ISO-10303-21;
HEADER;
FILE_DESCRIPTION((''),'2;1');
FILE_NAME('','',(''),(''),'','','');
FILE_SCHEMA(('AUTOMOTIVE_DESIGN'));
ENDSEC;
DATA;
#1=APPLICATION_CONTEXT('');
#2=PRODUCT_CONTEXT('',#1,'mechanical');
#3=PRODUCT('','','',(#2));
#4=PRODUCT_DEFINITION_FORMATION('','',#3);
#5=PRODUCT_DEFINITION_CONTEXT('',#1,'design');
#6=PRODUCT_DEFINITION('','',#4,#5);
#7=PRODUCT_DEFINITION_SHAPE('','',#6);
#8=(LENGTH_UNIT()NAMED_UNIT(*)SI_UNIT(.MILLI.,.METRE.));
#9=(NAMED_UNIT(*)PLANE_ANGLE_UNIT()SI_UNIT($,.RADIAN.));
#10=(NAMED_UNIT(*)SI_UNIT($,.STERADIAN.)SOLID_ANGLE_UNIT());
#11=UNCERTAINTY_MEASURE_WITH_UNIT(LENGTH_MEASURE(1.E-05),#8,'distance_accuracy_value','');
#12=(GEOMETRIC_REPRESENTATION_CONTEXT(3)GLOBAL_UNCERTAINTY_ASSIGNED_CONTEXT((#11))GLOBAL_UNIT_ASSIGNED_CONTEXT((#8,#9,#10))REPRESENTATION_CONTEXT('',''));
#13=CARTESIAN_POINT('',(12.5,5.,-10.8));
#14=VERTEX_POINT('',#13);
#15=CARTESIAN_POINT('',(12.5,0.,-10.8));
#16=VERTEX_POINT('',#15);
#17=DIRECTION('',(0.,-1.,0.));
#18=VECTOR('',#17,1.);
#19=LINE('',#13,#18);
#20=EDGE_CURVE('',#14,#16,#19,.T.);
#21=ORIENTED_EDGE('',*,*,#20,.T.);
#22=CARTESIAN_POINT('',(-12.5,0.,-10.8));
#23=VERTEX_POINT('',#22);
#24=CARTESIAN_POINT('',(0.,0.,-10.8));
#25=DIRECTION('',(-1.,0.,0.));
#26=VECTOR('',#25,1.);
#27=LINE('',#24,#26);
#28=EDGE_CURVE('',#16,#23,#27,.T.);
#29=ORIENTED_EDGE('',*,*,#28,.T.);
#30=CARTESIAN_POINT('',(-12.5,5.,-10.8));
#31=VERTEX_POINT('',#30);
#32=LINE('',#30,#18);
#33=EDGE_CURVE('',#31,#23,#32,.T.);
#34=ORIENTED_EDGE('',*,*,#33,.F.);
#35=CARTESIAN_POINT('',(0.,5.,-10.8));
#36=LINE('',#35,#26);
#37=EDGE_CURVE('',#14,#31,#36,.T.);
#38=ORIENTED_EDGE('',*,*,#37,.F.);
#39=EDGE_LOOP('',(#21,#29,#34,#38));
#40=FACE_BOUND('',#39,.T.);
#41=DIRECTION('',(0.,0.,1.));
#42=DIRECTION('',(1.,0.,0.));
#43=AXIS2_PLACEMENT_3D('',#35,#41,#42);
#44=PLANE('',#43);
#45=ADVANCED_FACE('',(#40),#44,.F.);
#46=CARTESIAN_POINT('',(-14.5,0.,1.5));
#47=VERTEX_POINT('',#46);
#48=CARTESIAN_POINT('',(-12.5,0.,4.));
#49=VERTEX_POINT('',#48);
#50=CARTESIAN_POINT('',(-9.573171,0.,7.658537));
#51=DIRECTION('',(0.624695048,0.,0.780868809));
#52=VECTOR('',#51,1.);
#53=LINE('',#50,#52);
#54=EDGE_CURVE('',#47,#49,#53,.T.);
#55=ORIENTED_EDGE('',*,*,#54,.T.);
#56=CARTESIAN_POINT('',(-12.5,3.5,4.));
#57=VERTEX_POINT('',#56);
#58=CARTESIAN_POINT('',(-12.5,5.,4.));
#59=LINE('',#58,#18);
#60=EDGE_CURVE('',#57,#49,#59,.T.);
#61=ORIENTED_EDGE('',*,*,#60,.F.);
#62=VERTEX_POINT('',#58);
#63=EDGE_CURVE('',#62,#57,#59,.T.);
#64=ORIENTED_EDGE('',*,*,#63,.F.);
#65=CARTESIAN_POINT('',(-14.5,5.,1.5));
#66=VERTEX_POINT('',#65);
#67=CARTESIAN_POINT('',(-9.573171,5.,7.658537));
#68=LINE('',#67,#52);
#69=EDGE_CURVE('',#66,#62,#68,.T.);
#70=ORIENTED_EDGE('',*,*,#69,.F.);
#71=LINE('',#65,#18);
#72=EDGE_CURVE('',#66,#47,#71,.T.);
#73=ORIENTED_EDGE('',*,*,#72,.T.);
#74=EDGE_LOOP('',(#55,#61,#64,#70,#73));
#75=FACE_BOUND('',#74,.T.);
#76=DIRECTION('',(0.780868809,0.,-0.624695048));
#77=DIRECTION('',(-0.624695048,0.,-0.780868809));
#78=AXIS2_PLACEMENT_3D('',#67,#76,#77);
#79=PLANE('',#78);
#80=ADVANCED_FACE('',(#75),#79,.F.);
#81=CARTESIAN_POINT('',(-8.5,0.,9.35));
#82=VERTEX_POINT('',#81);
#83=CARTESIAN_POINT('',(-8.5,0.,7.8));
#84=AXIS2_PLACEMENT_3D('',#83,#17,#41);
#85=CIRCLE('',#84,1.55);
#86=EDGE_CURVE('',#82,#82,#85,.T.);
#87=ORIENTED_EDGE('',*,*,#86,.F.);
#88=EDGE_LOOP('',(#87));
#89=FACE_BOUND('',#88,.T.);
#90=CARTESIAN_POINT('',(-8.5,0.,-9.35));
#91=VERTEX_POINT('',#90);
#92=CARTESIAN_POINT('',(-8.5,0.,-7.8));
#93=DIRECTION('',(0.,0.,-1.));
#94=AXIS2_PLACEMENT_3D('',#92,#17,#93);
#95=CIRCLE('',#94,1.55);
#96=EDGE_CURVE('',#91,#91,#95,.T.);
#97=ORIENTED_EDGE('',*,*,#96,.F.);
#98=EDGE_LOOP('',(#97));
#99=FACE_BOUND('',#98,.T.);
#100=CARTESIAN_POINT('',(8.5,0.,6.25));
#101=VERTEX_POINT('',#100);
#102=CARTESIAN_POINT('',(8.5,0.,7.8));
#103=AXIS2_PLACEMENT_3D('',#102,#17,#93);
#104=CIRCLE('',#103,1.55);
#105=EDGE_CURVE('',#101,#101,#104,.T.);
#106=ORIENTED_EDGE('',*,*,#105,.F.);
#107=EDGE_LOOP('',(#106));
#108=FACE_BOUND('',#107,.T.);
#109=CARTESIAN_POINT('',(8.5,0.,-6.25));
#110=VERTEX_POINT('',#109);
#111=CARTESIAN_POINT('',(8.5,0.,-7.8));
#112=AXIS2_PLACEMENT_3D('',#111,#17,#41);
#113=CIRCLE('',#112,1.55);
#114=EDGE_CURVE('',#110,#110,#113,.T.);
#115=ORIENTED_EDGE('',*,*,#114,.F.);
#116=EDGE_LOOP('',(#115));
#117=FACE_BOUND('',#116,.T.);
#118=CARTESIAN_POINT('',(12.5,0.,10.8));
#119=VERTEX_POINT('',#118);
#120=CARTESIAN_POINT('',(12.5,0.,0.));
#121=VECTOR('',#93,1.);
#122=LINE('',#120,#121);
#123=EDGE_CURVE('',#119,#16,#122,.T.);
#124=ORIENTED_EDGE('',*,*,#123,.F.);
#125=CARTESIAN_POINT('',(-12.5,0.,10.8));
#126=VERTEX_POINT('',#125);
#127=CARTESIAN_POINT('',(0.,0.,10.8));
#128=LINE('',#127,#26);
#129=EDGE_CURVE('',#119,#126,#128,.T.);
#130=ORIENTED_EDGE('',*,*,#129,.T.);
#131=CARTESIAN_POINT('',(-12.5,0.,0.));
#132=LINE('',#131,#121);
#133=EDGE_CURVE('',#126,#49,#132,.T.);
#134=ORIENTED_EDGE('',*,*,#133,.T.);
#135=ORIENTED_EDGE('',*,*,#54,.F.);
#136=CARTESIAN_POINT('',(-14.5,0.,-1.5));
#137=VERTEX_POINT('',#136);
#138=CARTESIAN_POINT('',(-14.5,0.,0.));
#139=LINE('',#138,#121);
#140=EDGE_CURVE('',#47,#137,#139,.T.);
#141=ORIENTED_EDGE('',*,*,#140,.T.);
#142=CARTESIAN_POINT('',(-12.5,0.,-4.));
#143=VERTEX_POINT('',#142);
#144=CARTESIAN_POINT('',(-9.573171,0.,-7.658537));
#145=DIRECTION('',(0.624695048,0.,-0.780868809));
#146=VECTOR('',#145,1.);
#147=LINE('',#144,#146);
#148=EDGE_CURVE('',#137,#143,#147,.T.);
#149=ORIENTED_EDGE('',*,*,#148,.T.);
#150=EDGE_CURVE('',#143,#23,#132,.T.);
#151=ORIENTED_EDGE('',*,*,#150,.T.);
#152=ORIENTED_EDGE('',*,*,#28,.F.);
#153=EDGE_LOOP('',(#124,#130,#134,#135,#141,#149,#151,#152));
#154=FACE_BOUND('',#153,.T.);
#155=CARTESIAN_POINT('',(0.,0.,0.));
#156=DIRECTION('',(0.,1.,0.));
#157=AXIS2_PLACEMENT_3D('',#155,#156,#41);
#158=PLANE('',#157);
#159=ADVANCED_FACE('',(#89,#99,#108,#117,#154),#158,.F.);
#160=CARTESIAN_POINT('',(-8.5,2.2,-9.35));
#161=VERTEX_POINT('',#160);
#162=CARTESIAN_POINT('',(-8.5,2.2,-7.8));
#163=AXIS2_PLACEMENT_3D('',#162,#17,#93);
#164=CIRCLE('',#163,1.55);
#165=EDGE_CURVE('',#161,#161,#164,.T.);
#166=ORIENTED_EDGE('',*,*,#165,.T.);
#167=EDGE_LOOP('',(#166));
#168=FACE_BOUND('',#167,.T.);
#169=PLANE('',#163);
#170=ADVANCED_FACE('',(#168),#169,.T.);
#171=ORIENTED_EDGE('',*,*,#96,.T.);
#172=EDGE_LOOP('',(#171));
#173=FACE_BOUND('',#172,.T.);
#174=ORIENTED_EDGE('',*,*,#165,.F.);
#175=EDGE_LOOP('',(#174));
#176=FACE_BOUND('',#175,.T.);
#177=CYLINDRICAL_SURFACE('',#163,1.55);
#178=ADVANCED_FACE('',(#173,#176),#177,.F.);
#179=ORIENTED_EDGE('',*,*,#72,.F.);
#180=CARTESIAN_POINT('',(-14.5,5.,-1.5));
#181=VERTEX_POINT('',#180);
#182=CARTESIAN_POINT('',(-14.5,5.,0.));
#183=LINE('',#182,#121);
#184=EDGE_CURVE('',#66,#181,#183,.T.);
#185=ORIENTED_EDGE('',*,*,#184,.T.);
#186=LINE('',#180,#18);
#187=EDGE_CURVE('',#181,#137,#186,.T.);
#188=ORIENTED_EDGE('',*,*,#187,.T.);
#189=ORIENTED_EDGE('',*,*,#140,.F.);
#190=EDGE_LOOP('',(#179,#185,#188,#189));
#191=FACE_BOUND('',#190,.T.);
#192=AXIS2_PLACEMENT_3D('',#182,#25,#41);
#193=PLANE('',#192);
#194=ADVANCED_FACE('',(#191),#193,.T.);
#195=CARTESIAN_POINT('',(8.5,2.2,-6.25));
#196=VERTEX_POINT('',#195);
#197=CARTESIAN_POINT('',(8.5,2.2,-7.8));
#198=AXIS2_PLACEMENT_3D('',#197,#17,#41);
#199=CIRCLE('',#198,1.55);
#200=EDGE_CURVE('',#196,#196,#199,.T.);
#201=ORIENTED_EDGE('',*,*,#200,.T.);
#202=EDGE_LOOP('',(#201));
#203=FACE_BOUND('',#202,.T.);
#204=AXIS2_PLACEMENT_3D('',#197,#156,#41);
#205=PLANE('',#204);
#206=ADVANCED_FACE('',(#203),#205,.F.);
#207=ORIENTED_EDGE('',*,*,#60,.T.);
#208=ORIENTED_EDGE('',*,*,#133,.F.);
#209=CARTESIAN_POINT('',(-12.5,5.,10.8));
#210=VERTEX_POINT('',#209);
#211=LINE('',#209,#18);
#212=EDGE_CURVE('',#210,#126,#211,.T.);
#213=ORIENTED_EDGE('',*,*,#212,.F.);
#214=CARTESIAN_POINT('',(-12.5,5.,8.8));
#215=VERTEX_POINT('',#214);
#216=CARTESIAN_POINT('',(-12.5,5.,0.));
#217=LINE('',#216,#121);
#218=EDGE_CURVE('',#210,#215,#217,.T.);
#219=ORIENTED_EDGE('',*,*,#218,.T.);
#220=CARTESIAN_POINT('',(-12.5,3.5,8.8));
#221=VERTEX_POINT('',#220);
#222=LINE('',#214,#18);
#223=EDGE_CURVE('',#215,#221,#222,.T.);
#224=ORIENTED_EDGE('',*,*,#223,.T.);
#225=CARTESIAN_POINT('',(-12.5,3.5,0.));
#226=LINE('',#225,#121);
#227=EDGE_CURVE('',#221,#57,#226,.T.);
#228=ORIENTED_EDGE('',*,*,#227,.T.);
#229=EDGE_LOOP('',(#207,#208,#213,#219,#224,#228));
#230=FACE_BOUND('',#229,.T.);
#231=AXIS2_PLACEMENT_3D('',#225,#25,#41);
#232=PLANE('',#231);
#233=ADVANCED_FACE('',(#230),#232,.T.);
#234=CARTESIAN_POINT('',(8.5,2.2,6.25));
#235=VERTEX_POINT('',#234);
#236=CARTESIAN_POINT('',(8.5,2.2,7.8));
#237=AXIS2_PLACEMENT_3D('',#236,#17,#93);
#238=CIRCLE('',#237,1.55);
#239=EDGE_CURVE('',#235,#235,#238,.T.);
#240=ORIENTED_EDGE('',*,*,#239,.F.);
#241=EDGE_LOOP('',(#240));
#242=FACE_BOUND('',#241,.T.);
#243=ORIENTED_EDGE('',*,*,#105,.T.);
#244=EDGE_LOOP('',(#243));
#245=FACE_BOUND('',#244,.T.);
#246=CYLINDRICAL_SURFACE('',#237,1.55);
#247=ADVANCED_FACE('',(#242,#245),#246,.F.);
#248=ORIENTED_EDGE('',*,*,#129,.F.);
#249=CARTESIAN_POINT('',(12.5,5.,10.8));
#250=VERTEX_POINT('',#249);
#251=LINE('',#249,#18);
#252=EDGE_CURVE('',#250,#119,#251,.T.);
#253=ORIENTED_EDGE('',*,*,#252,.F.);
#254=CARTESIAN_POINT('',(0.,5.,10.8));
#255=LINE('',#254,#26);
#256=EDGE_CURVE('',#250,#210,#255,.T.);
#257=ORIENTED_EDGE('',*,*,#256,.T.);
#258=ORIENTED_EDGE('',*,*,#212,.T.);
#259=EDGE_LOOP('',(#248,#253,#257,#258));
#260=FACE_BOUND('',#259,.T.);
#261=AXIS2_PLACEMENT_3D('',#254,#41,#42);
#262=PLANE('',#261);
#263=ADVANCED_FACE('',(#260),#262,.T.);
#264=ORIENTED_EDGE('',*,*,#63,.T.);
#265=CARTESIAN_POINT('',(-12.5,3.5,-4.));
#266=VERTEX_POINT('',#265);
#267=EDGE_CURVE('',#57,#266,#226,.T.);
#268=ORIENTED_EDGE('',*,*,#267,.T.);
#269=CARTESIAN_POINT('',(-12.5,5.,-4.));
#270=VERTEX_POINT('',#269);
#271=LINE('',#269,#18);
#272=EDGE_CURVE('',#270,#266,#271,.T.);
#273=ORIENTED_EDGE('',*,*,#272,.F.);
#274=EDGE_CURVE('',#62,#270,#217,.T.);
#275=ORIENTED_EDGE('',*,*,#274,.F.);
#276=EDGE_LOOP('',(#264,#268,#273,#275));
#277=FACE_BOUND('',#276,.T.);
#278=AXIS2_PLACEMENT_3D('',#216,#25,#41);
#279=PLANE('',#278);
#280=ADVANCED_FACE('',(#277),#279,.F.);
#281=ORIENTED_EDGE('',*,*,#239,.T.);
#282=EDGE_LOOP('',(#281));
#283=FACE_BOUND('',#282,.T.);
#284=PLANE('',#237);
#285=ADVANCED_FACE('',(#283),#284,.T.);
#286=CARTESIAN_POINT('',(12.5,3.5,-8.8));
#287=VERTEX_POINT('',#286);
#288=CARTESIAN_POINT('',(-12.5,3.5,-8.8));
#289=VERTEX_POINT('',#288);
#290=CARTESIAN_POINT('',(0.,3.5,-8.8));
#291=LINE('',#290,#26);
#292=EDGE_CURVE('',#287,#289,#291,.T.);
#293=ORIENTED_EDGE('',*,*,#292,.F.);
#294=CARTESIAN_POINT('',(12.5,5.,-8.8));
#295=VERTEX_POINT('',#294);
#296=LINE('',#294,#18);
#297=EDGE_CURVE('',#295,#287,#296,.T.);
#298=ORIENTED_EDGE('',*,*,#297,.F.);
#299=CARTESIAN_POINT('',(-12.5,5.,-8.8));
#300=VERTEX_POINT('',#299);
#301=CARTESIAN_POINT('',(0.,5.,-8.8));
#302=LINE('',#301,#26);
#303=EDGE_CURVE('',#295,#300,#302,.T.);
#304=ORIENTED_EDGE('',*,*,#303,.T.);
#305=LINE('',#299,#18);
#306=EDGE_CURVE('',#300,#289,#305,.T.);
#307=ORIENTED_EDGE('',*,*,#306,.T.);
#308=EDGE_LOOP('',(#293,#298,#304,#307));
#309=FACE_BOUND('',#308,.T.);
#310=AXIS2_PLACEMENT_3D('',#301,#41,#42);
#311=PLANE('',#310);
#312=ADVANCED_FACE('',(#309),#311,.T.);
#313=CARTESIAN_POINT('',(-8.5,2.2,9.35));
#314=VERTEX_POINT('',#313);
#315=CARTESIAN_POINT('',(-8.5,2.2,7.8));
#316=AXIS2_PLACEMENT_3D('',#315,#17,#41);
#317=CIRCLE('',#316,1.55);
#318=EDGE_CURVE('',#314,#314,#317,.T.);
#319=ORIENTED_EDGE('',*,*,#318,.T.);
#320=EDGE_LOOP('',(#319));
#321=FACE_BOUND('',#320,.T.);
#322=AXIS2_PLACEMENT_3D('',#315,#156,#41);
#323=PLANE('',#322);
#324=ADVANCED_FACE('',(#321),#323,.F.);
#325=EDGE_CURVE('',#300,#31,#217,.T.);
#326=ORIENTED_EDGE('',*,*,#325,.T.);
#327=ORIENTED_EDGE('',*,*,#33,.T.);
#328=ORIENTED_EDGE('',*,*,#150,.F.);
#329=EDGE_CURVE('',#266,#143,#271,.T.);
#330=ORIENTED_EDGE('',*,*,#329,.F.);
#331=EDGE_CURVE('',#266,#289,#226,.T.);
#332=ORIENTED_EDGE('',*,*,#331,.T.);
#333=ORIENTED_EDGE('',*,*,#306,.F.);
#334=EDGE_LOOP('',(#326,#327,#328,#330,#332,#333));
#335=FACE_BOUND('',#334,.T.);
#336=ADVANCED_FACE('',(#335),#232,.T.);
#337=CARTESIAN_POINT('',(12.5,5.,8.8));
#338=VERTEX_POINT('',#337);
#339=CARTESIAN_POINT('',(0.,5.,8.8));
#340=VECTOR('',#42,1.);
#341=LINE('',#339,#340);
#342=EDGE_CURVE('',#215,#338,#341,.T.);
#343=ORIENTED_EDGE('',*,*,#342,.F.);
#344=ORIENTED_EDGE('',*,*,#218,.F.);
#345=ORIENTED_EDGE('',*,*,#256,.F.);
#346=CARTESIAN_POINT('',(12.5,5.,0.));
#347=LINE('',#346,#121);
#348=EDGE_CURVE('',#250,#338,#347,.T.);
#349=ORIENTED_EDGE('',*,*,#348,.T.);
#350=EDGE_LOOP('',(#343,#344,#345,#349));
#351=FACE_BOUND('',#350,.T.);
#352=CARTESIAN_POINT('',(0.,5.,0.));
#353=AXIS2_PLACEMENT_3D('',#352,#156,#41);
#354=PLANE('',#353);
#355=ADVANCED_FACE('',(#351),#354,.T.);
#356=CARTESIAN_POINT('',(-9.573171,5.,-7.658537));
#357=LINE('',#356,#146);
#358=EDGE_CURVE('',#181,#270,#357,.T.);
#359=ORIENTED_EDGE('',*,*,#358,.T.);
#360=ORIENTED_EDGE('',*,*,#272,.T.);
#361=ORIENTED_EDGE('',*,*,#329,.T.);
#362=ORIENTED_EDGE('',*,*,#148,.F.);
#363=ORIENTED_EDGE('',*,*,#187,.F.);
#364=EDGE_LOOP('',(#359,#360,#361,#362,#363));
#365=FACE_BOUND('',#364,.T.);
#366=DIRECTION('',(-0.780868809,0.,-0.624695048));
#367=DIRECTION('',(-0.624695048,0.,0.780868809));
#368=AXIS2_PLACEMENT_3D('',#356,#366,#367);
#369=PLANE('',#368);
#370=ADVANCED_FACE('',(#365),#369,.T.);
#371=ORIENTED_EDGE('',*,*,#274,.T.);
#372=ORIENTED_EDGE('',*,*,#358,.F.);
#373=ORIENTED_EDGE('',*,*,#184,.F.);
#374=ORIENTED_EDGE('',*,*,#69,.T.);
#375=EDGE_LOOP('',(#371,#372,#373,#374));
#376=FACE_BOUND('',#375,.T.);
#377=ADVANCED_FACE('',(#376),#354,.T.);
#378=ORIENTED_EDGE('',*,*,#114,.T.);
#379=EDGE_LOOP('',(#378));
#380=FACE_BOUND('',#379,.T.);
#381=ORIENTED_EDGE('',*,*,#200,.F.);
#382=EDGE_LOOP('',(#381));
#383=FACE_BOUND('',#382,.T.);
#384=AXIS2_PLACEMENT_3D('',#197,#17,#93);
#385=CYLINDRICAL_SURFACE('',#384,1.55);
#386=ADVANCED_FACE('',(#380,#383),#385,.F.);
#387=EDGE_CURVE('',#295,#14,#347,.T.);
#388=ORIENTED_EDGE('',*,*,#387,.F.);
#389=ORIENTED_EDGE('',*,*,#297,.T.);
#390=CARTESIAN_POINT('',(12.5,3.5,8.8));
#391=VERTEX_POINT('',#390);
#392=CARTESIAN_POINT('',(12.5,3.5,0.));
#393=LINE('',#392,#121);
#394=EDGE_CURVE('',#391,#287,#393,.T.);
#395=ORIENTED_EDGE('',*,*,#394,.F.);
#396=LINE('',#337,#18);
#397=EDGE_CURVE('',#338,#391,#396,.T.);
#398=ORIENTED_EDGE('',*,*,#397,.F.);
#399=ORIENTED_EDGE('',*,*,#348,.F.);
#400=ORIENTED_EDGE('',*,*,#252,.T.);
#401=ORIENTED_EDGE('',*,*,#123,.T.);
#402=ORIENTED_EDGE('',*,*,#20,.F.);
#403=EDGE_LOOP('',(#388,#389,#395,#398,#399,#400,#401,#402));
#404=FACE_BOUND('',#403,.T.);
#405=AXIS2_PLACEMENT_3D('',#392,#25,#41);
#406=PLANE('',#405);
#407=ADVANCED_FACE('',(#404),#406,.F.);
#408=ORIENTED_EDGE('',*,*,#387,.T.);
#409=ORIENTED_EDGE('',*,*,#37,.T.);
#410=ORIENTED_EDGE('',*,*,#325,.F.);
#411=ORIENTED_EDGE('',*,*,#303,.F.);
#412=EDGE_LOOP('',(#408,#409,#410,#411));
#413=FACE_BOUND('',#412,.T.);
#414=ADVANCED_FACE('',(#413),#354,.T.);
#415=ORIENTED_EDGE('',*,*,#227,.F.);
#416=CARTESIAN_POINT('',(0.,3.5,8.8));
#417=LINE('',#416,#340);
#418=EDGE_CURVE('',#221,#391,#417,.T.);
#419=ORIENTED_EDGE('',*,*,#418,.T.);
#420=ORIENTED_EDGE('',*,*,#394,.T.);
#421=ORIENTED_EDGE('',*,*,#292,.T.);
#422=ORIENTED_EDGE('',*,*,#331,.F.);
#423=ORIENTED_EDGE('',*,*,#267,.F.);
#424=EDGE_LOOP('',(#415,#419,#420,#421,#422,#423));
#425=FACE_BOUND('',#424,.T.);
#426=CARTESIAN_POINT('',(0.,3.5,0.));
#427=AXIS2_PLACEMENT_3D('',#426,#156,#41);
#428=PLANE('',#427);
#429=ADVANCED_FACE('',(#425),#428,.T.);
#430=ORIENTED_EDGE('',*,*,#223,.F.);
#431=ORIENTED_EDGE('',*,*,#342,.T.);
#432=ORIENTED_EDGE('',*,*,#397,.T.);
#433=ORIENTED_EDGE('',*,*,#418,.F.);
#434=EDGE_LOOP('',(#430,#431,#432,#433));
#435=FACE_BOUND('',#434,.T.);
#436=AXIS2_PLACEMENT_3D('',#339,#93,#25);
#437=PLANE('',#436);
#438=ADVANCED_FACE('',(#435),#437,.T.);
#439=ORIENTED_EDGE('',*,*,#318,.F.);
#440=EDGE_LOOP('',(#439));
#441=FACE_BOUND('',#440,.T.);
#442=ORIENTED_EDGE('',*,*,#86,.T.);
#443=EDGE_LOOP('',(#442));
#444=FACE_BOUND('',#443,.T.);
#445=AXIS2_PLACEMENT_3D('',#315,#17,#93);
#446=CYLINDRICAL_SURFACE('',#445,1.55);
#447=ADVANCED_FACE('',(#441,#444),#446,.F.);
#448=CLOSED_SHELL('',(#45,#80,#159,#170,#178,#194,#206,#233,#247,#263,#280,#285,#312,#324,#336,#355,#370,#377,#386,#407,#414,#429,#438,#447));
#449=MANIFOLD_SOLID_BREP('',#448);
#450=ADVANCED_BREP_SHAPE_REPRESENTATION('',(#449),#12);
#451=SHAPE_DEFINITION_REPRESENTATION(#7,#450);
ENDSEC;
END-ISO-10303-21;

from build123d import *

# Parameters (mm, degrees)
RESSALTO_EXTRUS_O1_DEPTH = 3.5
ESBO_O1_3_W              = 25
ESBO_O1_3_H              = 2
RESSALTO_EXTRUS_O2_DEPTH = 5
ESBO_O2_R                = 1.55
CORTE_EXTRUS_O1_DEPTH    = 2.2


with BuildPart() as part:
    # Esboço1 → Ressalto-extrusão1 (new body)
    with BuildSketch(Plane(origin=(0, 0, 0), x_dir=(1, 0, 0), z_dir=(0, 1, 0))):
        Polygon((12.5, -8.8), (12.5, 8.8), (-12.5, 8.8), (-12.5, 4), (-12.5, 1.5), (-12.5, -1.5), (-12.5, -4), (-12.5, -8.8), align=None)
    extrude(amount=RESSALTO_EXTRUS_O1_DEPTH)

    # Esboço1<3> → Ressalto-extrusão2 (add)
    with BuildSketch(Plane(origin=(0, 0, 0), x_dir=(1, 0, 0), z_dir=(0, 1, 0))):
        with Locations((0, 9.8)):
            Rectangle(ESBO_O1_3_W, ESBO_O1_3_H)
        with Locations((0, -9.8)):
            Rectangle(ESBO_O1_3_W, ESBO_O1_3_H)
        Polygon((-12.5, 4), (-14.5, 1.5), (-14.5, -1.5), (-12.5, -4), align=None)
    extrude(amount=RESSALTO_EXTRUS_O2_DEPTH)

    # Esboço2 → Corte-extrusão1 (cut)
    with BuildSketch(Plane.XZ):
        with Locations((8.5, 7.8)):
            Circle(ESBO_O2_R)
        with Locations((-8.5, 7.8)):
            Circle(ESBO_O2_R)
        with Locations((-8.5, -7.8)):
            Circle(ESBO_O2_R)
        with Locations((8.5, -7.8)):
            Circle(ESBO_O2_R)
    extrude(amount=-CORTE_EXTRUS_O1_DEPTH, mode=Mode.SUBTRACT)


solid = part.part
